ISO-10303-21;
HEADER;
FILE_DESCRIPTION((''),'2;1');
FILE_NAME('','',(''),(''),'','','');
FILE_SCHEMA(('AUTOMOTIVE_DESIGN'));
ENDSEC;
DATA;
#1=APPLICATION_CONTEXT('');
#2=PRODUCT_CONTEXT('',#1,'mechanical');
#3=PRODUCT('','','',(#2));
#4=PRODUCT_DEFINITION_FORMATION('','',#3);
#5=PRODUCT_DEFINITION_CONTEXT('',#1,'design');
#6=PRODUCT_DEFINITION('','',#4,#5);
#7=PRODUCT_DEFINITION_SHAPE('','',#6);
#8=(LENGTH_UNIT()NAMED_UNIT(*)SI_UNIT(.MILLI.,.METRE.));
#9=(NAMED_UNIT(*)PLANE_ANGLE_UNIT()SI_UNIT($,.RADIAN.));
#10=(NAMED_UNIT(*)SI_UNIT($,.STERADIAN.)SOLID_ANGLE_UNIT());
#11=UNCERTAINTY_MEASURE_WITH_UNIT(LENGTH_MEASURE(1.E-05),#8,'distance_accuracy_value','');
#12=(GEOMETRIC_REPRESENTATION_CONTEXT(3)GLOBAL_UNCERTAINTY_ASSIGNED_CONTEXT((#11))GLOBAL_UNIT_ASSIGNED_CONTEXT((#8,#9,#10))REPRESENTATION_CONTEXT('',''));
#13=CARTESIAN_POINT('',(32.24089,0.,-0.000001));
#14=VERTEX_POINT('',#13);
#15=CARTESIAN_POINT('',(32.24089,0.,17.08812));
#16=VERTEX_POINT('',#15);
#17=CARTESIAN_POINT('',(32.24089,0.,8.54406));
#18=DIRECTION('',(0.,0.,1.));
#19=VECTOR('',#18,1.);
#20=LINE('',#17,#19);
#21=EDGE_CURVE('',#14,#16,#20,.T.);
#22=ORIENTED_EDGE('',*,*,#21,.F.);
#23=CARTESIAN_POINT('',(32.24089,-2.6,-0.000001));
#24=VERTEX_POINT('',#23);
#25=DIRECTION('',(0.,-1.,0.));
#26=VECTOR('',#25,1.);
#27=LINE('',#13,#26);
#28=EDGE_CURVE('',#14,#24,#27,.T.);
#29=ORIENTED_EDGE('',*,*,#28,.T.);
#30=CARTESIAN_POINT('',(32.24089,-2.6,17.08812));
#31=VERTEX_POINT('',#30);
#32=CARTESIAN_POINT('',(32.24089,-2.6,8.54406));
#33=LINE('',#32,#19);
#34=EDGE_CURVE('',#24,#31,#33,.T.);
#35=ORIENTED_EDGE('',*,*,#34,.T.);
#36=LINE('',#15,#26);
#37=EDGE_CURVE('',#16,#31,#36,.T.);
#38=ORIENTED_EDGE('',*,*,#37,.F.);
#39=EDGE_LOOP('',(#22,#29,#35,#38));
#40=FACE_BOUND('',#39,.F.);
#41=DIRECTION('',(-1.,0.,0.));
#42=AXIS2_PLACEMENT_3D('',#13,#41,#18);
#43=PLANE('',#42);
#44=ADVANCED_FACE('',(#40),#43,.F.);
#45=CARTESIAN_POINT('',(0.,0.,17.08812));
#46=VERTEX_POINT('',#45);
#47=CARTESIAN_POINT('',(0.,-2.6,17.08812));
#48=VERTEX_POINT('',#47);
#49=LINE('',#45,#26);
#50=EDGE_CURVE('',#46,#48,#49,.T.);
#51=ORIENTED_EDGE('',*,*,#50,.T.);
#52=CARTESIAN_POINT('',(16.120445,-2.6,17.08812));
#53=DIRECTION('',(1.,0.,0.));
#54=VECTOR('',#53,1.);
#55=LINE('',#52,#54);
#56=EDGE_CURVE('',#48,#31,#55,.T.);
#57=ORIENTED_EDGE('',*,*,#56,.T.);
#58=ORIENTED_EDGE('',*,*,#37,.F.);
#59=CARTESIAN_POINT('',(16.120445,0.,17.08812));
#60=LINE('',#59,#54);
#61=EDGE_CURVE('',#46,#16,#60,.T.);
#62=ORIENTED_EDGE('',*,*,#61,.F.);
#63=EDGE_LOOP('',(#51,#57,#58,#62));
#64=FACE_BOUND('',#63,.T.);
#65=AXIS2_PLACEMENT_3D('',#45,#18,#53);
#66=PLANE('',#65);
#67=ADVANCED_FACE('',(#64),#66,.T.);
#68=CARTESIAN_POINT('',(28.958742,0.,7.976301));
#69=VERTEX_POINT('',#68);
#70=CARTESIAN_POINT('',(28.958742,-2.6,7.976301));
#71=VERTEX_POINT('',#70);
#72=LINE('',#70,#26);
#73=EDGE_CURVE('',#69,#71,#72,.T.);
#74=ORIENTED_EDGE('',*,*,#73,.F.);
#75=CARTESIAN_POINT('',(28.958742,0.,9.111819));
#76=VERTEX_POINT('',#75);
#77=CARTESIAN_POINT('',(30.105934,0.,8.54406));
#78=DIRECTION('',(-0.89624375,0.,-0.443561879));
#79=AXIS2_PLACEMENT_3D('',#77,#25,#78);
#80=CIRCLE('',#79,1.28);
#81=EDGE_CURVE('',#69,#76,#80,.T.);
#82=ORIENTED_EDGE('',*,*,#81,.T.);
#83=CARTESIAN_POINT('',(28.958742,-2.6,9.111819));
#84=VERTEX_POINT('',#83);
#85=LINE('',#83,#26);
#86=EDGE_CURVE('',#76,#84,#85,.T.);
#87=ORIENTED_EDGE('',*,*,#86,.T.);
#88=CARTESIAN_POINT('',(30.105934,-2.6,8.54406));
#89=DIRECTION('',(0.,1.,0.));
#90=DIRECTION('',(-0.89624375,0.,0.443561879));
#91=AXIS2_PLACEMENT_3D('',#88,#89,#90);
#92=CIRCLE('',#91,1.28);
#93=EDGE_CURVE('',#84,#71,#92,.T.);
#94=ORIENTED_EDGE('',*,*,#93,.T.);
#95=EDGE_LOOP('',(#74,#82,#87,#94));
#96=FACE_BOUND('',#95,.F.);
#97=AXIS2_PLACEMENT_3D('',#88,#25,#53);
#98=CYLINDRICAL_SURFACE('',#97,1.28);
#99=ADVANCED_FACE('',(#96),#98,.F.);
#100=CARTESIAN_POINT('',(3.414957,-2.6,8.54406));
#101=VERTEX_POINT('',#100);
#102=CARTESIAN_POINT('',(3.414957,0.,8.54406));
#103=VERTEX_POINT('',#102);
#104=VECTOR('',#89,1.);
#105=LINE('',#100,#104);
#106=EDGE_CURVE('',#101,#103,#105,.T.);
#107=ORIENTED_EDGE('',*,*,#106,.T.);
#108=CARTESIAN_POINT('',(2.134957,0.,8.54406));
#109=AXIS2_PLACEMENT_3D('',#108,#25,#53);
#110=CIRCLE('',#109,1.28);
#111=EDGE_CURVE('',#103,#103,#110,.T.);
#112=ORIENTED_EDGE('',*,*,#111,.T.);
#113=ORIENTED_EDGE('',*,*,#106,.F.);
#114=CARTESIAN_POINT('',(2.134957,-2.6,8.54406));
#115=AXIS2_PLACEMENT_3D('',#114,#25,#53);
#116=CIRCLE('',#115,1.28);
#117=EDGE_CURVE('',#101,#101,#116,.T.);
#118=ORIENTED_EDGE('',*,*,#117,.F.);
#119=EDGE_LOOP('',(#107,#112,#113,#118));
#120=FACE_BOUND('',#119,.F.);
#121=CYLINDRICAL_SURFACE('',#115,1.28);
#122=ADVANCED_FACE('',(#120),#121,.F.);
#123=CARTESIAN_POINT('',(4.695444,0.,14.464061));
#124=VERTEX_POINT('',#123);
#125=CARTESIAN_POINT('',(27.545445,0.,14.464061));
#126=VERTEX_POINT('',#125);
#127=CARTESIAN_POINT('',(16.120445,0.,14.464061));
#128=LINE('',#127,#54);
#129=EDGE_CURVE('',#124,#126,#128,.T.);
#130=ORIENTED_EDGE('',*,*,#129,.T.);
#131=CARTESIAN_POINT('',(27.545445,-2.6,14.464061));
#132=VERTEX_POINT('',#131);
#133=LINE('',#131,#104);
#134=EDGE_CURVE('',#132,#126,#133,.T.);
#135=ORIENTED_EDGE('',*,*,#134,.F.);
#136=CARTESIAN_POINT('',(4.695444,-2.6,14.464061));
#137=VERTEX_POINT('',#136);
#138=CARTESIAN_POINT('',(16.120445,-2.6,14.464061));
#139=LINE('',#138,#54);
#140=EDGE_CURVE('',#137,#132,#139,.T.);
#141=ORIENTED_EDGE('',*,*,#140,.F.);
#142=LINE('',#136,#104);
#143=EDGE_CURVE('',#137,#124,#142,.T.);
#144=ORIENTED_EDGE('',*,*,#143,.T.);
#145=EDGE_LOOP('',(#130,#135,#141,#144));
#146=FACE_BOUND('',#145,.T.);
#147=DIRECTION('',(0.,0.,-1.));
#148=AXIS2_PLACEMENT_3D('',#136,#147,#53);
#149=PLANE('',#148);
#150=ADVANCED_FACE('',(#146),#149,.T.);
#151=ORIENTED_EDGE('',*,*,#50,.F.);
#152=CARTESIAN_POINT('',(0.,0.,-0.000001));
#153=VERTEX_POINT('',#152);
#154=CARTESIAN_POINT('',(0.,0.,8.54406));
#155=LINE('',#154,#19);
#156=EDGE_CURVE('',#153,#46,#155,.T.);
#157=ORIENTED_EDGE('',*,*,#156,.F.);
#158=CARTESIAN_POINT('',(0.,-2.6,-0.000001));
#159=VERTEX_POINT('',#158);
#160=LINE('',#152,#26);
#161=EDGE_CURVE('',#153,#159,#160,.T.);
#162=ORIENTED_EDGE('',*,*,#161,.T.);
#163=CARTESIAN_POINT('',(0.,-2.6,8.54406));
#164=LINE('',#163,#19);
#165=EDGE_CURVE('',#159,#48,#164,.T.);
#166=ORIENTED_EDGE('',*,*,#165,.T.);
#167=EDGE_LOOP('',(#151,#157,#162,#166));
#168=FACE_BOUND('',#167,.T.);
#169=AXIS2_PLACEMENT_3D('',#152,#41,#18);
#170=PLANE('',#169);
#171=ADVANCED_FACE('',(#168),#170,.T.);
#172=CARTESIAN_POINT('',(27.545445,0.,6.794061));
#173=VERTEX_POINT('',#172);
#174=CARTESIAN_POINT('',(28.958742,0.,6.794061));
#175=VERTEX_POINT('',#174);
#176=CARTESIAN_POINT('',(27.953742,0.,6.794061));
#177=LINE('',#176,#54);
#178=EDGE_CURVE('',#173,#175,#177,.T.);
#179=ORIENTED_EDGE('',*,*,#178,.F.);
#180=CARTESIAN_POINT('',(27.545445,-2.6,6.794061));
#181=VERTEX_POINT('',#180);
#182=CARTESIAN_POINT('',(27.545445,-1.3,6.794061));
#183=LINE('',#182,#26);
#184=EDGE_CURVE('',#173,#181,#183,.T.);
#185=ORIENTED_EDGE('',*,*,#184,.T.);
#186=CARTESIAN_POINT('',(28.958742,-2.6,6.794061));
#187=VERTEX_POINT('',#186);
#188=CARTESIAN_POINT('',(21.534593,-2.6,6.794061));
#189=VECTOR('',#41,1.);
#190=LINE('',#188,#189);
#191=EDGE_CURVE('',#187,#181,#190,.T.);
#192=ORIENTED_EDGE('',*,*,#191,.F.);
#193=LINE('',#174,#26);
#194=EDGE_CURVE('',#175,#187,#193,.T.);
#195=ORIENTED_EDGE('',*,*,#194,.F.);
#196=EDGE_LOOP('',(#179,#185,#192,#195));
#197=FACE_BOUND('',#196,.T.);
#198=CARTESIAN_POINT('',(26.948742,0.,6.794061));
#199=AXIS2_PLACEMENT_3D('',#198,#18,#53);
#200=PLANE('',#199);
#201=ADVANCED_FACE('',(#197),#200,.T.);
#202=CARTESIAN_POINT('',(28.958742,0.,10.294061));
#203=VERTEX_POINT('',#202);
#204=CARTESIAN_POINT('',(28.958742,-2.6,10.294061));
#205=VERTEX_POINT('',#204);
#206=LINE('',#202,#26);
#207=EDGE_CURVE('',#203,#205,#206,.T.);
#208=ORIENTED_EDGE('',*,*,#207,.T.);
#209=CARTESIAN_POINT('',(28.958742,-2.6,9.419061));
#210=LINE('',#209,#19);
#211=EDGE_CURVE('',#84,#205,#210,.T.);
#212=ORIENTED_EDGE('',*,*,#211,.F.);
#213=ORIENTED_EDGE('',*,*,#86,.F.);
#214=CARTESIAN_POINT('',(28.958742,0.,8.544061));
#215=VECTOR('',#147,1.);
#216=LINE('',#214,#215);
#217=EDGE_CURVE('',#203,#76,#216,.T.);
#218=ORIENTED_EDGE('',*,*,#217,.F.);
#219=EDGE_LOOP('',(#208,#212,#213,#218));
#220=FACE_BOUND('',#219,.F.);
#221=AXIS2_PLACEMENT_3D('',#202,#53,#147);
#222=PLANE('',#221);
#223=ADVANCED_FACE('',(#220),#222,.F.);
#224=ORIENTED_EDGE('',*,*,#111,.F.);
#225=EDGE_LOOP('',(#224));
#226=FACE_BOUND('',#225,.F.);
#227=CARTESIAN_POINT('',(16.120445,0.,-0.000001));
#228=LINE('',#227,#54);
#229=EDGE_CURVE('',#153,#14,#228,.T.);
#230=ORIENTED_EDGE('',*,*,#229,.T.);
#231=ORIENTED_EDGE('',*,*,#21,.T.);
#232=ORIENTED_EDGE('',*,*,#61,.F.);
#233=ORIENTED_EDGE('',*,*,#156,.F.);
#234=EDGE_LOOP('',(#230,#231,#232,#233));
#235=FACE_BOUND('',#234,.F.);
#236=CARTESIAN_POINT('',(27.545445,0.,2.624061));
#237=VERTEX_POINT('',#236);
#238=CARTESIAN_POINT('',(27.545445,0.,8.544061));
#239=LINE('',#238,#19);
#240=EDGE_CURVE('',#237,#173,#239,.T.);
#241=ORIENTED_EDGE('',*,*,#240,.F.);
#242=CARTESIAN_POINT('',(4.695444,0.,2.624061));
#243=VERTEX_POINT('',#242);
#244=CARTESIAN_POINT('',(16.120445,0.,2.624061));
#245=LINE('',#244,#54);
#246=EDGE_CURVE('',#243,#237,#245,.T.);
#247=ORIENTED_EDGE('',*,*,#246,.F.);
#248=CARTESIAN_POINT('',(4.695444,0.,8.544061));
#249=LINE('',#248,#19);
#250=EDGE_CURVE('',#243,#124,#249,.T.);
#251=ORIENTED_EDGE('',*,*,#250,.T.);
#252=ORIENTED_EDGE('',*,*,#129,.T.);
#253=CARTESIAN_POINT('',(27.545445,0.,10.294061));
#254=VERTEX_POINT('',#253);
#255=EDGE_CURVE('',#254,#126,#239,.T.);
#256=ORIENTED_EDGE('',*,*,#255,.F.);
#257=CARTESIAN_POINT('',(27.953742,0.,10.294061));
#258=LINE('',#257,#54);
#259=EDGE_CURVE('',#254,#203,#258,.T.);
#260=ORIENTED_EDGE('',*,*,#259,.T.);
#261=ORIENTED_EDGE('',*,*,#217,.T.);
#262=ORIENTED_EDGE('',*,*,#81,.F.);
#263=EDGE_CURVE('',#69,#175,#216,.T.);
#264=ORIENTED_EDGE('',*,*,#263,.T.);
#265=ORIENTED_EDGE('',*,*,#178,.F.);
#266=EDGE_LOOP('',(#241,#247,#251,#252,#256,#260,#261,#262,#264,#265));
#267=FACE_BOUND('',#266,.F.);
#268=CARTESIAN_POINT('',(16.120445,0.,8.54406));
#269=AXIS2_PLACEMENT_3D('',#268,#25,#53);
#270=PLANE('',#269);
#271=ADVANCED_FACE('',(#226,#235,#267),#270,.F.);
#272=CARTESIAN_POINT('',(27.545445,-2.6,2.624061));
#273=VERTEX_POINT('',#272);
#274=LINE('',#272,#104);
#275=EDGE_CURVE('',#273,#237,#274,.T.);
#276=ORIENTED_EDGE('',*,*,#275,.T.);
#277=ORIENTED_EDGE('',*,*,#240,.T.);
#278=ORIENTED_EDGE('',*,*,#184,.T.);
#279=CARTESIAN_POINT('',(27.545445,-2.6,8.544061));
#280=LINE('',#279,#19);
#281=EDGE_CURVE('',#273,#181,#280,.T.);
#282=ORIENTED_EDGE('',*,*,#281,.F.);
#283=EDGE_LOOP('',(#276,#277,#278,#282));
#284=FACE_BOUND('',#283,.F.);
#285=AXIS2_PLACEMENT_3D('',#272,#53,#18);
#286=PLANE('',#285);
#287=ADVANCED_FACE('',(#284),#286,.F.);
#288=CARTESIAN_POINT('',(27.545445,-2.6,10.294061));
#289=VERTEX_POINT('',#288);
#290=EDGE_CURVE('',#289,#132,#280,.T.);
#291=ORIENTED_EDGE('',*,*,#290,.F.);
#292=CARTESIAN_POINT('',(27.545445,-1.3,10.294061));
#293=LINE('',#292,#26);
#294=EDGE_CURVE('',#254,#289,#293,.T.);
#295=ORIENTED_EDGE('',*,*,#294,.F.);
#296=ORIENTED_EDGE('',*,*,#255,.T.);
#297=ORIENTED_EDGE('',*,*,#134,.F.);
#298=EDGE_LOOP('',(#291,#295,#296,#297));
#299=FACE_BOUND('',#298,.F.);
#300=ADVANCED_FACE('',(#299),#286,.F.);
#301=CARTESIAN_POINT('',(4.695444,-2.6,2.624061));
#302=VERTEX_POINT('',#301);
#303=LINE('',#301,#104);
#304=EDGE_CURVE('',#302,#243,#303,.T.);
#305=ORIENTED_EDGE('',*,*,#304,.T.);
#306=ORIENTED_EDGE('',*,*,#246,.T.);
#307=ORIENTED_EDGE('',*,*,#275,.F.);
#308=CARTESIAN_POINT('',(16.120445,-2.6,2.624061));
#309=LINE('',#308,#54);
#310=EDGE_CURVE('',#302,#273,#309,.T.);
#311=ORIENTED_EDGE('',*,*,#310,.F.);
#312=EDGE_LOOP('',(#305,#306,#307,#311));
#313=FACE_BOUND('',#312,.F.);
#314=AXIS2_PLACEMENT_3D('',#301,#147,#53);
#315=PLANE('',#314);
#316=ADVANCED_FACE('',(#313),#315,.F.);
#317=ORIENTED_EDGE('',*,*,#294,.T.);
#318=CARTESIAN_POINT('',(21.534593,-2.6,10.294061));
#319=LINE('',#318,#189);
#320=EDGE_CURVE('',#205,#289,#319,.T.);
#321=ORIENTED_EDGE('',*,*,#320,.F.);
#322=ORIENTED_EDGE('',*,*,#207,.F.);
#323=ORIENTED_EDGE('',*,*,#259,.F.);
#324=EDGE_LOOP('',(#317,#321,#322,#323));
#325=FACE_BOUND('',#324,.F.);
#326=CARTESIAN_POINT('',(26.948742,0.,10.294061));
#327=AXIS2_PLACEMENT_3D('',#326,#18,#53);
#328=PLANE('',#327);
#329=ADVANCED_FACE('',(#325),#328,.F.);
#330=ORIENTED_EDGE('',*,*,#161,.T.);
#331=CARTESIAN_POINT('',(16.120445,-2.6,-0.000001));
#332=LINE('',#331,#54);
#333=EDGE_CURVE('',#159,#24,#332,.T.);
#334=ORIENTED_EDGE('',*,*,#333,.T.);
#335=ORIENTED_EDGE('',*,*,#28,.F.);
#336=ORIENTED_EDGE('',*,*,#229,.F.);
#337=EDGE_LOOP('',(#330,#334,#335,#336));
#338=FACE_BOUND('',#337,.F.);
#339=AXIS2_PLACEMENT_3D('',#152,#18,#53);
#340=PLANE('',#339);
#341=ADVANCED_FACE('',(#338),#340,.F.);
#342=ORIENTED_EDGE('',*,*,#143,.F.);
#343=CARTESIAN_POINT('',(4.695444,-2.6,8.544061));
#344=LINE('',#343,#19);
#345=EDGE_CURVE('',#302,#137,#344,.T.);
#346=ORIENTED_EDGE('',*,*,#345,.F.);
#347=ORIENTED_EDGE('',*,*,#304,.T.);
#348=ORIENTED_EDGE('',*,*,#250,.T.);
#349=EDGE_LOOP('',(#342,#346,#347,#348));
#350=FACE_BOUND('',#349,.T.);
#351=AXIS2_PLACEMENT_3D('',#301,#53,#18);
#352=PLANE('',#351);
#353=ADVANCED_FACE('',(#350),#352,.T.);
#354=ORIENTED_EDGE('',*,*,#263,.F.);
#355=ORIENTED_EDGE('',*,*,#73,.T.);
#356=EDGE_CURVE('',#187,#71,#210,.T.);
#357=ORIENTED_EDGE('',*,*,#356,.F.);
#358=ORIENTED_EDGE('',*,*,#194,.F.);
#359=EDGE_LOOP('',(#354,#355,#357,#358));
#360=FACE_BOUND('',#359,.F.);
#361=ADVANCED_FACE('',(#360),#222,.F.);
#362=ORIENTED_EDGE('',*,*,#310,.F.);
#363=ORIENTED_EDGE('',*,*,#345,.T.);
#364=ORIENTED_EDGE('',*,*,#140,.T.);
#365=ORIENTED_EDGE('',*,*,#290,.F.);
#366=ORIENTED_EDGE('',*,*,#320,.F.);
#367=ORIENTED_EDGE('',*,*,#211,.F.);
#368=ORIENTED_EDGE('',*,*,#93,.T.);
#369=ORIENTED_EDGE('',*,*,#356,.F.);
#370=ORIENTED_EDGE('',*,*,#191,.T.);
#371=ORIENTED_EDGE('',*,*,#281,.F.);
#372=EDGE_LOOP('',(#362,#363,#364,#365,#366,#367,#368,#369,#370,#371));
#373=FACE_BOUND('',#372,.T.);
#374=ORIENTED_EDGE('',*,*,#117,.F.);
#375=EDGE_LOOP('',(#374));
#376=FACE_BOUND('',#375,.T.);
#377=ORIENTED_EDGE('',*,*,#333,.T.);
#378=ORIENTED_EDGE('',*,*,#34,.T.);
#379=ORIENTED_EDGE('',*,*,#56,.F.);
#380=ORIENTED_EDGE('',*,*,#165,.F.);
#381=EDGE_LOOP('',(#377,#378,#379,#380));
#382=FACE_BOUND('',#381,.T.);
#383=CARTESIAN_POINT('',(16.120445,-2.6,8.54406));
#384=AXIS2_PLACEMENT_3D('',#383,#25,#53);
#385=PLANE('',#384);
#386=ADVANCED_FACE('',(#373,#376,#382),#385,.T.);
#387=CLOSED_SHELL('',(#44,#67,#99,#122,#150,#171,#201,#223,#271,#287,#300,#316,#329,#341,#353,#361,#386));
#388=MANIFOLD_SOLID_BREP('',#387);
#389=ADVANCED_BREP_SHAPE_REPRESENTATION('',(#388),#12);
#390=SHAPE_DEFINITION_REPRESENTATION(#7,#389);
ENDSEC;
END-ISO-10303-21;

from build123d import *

# Parameters (mm, degrees)
SKETCH_W        = 32.240891
SKETCH_H        = 17.088121
PAD_DEPTH       = 2.6
SKETCH002_R     = 1.28
SKETCH002_W     = 22.850001
SKETCH002_H     = 11.84
POCKET_DEPTH    = 2.6
SKETCH003_W     = 2.01
SKETCH003_H     = 3.5
POCKET001_DEPTH = 5


with BuildPart() as part:
    # Sketch → Pad (new body)
    with BuildSketch(Plane.XZ):
        with Locations((16.120445, 8.54406)):
            Rectangle(SKETCH_W, SKETCH_H)
    extrude(amount=PAD_DEPTH)

    # Sketch002 (on Face6 of Pad) → Pocket (cut)
    with BuildSketch(Plane.XZ.offset(2.6)):
        with Locations((30.105934, 8.54406)):
            Circle(SKETCH002_R)
        with Locations((2.134957, 8.54406)):
            Circle(SKETCH002_R)
        with Locations((16.120445, 8.544061)):
            Rectangle(SKETCH002_W, SKETCH002_H)
    extrude(amount=-POCKET_DEPTH, mode=Mode.SUBTRACT)

    # Sketch003 (on Face4 of Pocket) → Pocket001 (cut)
    with BuildSketch(Plane(origin=(0, 0, 0), x_dir=(1, 0, 0), z_dir=(0, 1, 0))):
        with Locations((27.953742, -8.544061)):
            Rectangle(SKETCH003_W, SKETCH003_H)
    extrude(amount=-POCKET001_DEPTH, mode=Mode.SUBTRACT)


solid = part.part
